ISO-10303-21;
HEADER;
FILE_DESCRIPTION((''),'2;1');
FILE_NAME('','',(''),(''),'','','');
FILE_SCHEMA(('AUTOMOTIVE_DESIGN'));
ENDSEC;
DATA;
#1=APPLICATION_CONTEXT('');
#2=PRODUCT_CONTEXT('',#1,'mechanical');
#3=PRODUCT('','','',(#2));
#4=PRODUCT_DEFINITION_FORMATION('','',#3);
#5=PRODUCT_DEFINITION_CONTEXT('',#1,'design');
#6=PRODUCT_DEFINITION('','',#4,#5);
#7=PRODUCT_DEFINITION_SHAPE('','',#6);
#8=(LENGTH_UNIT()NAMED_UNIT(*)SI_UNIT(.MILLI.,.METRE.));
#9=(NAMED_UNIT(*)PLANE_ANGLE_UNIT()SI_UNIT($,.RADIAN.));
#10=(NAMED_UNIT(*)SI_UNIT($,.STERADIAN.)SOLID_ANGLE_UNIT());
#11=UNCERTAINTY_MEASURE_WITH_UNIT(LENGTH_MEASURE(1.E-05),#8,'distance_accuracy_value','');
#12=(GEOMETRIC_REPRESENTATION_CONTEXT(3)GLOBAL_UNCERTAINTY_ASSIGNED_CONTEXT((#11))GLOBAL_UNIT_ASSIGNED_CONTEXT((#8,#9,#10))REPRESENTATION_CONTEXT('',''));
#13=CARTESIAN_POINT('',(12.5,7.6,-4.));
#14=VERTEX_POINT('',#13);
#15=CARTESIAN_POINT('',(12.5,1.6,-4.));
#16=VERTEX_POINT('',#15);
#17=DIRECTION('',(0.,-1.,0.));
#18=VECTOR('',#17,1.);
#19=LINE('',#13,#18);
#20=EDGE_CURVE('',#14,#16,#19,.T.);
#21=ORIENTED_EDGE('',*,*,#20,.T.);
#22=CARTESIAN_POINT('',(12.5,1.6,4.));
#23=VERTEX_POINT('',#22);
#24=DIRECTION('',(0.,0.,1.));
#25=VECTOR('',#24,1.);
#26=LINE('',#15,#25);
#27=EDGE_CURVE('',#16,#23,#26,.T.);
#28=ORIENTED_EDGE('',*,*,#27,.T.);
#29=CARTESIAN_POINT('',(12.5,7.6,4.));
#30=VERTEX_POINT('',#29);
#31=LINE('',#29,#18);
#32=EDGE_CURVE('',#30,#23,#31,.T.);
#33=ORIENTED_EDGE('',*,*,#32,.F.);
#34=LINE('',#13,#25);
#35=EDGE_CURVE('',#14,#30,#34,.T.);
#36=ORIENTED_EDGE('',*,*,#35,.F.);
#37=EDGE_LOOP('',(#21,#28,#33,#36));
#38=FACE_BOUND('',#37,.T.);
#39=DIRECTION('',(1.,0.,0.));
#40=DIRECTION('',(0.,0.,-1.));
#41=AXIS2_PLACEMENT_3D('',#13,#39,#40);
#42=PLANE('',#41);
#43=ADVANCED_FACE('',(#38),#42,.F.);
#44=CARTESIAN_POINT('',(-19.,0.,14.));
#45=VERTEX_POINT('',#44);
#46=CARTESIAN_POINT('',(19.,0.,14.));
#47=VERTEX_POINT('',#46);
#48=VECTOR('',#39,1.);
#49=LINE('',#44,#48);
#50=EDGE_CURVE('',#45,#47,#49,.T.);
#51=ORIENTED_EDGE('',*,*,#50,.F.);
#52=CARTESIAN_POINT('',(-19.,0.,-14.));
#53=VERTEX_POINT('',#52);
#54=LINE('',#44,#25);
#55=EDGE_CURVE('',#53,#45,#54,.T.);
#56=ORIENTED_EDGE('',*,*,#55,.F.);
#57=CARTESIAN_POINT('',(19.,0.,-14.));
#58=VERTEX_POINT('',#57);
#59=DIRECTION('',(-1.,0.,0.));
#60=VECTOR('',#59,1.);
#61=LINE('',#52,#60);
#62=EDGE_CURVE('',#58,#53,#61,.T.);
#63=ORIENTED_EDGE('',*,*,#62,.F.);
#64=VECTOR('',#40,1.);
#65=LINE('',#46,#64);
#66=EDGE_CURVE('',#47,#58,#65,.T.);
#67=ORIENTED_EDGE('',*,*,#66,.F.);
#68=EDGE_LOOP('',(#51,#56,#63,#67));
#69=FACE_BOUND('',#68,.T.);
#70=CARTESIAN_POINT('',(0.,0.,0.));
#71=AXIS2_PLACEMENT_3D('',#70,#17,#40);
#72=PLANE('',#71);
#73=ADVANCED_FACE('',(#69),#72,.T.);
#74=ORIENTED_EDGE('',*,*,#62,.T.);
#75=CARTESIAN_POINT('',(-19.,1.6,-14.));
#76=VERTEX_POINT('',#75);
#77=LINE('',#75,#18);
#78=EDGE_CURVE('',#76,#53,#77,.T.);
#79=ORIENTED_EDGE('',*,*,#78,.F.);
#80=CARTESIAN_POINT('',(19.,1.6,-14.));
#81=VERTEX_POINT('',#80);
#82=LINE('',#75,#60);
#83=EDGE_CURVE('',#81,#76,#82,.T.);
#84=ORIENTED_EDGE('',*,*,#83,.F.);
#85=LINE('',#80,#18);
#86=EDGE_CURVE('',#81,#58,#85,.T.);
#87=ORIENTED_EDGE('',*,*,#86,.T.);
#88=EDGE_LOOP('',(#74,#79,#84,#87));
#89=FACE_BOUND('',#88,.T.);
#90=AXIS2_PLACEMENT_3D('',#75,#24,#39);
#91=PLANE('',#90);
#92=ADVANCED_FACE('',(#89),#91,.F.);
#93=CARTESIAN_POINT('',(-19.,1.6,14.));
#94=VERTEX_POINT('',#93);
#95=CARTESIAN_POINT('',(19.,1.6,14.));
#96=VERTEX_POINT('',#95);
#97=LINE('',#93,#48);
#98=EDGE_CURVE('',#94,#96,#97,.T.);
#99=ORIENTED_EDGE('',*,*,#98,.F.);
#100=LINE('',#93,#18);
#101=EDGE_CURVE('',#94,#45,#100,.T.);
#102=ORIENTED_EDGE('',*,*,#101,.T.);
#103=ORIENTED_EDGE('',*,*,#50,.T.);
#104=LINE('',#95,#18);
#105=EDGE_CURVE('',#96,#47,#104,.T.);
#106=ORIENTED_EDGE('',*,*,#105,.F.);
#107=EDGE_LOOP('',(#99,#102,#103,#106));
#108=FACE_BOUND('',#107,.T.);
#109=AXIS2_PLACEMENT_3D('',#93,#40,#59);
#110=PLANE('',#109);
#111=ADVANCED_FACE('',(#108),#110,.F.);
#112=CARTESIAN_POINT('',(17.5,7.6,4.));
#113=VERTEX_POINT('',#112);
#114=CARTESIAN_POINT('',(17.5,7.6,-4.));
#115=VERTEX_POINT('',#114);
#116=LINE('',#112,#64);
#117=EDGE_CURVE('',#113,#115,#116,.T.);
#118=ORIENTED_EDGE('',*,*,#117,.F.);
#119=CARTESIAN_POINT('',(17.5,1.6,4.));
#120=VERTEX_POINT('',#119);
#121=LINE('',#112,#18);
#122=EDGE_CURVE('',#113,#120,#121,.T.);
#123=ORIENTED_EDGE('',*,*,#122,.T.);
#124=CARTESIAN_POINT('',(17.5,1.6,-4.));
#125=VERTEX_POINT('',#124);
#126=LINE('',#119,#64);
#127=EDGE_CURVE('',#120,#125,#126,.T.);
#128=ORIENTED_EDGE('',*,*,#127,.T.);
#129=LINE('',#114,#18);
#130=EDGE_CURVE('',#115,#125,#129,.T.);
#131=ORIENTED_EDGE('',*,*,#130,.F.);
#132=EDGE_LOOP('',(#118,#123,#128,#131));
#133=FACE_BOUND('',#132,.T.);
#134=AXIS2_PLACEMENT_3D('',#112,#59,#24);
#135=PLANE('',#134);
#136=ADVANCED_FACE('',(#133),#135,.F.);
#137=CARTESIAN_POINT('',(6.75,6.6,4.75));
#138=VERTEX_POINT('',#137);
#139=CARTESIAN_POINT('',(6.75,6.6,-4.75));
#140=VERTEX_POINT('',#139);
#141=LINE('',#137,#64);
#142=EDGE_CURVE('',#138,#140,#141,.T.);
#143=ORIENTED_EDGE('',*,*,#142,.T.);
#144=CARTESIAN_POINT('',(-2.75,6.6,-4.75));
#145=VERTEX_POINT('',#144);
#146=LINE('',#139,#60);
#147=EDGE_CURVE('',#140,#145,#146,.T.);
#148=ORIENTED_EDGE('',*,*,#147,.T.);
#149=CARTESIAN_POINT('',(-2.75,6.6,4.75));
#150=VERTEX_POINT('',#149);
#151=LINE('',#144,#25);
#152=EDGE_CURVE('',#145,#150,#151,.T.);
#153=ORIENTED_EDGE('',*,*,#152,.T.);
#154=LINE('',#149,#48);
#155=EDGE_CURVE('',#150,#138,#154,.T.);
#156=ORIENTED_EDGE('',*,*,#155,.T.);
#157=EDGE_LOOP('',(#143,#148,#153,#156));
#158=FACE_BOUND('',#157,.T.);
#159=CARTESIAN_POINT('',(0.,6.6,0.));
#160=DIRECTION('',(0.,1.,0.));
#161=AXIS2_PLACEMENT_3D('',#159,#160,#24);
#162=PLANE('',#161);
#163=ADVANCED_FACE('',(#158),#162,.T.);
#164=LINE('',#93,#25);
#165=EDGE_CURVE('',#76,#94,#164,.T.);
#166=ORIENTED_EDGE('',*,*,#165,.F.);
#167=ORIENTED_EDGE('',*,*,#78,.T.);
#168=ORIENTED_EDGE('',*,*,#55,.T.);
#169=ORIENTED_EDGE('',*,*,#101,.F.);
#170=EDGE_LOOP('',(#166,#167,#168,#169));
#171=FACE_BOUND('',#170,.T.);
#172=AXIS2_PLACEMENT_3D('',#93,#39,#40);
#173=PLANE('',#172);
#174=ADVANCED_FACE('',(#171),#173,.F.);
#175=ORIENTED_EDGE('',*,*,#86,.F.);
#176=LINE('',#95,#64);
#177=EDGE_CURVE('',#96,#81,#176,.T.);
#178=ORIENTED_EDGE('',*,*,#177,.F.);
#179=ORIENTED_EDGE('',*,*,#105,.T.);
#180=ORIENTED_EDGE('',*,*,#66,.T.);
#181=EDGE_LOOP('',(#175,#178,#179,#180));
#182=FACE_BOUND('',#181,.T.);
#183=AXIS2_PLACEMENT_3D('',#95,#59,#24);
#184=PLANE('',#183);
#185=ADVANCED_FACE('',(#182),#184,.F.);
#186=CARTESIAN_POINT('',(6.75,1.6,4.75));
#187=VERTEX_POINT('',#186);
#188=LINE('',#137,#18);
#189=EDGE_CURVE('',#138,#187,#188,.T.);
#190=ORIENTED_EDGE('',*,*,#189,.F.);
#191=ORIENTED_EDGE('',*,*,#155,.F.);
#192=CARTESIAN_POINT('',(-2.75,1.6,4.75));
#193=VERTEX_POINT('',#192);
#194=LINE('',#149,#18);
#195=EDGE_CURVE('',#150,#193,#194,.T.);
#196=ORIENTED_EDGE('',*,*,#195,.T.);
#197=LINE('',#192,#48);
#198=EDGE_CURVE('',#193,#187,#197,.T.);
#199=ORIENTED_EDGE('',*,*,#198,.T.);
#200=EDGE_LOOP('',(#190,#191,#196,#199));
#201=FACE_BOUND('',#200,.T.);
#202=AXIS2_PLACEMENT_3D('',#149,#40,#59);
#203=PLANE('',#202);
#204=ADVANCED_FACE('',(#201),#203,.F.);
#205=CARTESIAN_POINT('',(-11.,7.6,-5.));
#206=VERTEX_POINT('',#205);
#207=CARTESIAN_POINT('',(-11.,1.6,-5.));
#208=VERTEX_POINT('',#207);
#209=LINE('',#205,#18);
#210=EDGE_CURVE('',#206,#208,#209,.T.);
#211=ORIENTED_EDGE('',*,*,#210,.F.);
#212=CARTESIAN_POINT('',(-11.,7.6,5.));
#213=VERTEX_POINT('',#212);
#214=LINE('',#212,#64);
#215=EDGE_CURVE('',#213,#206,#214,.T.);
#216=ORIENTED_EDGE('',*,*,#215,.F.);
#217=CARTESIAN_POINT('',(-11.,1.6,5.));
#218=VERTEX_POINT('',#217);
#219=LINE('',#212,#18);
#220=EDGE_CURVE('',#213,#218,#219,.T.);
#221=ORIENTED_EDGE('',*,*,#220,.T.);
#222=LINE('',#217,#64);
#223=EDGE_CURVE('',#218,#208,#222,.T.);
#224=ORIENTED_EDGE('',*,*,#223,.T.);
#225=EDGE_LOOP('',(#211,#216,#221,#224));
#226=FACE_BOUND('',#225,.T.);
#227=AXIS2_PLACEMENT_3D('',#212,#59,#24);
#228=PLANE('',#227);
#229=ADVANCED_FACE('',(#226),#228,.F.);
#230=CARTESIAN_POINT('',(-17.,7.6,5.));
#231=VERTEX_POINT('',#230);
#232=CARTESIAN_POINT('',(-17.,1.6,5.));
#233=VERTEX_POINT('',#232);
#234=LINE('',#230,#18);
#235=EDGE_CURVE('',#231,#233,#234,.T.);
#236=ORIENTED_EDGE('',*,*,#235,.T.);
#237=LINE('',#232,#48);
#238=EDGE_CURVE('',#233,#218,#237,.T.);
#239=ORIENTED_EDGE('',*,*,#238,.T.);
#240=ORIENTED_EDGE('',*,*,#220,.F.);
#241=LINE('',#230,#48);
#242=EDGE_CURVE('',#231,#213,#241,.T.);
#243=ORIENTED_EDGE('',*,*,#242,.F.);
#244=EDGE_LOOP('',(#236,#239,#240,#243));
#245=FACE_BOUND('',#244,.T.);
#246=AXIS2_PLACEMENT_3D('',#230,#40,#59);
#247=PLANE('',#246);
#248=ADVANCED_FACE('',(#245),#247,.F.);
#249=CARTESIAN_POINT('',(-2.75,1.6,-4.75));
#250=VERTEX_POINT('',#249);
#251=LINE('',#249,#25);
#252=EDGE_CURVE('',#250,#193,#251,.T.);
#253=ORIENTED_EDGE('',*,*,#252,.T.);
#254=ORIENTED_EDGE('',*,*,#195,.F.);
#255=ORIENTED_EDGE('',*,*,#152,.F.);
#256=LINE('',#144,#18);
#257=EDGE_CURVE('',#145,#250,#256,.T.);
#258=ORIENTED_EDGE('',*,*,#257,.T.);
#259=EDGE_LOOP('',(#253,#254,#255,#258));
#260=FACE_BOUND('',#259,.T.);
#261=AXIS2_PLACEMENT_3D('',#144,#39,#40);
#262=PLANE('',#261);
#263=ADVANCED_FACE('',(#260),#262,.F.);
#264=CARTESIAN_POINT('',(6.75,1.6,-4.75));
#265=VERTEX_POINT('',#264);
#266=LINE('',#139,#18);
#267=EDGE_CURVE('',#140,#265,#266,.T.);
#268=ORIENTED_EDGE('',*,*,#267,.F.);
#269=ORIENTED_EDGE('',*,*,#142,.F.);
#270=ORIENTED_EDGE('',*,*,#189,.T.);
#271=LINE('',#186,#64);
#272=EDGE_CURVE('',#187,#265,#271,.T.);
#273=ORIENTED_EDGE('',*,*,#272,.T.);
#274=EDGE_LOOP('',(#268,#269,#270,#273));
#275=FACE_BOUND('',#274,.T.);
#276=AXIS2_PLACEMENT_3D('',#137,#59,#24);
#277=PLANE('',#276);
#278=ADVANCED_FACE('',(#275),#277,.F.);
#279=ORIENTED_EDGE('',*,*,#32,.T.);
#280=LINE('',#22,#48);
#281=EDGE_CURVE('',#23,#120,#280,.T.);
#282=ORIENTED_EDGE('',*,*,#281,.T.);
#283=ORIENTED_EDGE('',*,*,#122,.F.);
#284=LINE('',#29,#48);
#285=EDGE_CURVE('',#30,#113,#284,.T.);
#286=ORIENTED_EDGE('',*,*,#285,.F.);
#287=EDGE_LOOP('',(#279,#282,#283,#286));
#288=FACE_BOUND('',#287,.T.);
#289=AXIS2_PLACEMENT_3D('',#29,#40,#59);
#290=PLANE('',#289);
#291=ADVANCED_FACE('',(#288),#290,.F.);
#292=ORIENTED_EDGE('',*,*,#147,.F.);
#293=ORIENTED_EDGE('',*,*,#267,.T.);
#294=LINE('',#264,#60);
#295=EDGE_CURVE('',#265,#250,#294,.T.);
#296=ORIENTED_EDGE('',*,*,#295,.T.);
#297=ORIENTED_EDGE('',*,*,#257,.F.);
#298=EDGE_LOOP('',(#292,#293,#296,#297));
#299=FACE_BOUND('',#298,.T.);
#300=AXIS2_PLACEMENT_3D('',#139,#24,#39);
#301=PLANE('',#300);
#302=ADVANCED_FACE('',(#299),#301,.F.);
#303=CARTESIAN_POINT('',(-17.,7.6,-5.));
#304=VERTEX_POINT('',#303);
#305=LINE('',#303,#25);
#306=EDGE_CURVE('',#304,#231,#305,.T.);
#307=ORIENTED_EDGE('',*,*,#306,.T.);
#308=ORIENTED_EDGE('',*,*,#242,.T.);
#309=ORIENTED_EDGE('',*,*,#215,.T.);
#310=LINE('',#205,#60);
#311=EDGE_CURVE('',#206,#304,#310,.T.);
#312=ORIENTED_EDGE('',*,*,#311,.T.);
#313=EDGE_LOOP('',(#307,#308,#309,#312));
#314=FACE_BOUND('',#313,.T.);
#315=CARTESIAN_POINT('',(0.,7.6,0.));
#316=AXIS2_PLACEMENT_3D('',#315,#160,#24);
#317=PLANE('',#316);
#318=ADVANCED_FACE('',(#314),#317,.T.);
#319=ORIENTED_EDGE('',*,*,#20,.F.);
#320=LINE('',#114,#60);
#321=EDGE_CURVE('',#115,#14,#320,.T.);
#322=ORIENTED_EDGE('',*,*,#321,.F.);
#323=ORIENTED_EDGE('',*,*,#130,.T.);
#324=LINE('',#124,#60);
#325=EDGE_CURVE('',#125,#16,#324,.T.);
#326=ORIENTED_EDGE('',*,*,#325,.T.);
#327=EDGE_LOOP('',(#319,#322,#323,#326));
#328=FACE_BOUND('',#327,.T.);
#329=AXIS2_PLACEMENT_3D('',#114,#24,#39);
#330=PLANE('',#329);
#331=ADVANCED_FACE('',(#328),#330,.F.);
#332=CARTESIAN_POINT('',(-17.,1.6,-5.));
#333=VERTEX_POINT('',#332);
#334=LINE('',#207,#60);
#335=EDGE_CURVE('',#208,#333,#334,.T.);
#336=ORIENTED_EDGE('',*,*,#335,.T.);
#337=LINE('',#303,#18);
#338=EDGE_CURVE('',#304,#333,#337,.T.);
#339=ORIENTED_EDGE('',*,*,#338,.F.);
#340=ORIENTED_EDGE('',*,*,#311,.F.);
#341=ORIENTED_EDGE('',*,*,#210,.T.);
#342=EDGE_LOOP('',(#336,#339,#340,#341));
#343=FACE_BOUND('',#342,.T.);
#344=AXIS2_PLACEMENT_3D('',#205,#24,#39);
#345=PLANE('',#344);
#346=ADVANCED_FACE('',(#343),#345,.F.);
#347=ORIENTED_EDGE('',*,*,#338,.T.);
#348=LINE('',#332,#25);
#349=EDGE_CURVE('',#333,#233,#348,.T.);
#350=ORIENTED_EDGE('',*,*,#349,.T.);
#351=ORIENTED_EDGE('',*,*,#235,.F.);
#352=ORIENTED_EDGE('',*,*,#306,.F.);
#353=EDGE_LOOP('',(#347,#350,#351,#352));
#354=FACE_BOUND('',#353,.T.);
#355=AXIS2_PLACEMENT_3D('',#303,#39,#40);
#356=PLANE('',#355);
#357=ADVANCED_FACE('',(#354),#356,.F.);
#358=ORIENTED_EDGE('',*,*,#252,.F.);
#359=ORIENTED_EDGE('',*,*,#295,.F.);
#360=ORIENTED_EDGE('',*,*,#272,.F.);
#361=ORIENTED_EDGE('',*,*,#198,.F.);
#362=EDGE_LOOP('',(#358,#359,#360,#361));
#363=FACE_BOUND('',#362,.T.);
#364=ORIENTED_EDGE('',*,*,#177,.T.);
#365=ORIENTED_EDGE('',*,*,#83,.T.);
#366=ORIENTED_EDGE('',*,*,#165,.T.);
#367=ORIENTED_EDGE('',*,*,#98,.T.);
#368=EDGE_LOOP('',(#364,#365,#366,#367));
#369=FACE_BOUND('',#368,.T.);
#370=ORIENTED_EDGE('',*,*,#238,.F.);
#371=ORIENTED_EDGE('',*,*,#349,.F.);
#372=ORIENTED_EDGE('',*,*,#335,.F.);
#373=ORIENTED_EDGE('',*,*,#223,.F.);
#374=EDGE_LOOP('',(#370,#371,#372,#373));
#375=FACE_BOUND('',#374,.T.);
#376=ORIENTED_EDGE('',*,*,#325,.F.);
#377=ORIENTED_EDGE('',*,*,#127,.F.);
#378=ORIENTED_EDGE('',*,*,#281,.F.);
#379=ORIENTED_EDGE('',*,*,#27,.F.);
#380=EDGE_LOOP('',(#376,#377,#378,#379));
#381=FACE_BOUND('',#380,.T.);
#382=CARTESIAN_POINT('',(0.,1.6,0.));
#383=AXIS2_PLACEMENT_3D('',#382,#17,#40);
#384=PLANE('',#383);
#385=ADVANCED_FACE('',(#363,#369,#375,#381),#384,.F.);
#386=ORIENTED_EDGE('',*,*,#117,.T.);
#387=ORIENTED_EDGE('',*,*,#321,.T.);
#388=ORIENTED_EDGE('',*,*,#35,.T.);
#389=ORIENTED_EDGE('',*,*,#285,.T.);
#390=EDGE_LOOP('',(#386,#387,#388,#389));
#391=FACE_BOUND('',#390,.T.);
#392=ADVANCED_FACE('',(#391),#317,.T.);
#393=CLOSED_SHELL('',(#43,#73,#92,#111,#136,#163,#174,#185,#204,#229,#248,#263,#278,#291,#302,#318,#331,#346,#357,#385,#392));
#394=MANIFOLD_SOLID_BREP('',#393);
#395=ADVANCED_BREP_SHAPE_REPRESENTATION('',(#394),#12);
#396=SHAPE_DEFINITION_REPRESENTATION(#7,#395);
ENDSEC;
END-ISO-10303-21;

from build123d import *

# Parameters (mm, degrees)
SKETCH1_W             = 38
SKETCH1_H             = 28
BOARD_DEPTH           = 1.6
PROBE_CONNECTOR_START = 1.6
SKETCH2_W             = 6
SKETCH2_H             = 10
PROBE_CONNECTOR_DEPTH = 6
SIGNAL_HEADER_START   = 1.6
SKETCH3_W             = 5
SKETCH3_H             = 8
SIGNAL_HEADER_DEPTH   = 6
TRIM_POT_START        = 1.6
SKETCH4_W             = 9.5
SKETCH4_H             = 9.5
TRIM_POT_DEPTH        = 5


with BuildPart() as part:
    # Sketch1 → Board (new body)
    with BuildSketch(Plane(origin=(0, 0, 0), x_dir=(1, 0, 0), z_dir=(0, 1, 0))):
        Rectangle(SKETCH1_W, SKETCH1_H)
    extrude(amount=BOARD_DEPTH)

    # Sketch2 → Probe_Connector (add)
    with BuildSketch(Plane(origin=(0, 0, 0), x_dir=(1, 0, 0), z_dir=(0, 1, 0)).offset(PROBE_CONNECTOR_START)):
        with Locations((-14, 0)):
            Rectangle(SKETCH2_W, SKETCH2_H)
    extrude(amount=PROBE_CONNECTOR_DEPTH)

    # Sketch3 → Signal_Header (add)
    with BuildSketch(Plane(origin=(0, 0, 0), x_dir=(1, 0, 0), z_dir=(0, 1, 0)).offset(SIGNAL_HEADER_START)):
        with Locations((15, 0)):
            Rectangle(SKETCH3_W, SKETCH3_H)
    extrude(amount=SIGNAL_HEADER_DEPTH)

    # Sketch4 → Trim_Pot (add)
    with BuildSketch(Plane(origin=(0, 0, 0), x_dir=(1, 0, 0), z_dir=(0, 1, 0)).offset(TRIM_POT_START)):
        with Locations((2, 0)):
            Rectangle(SKETCH4_W, SKETCH4_H)
    extrude(amount=TRIM_POT_DEPTH)


solid = part.part
